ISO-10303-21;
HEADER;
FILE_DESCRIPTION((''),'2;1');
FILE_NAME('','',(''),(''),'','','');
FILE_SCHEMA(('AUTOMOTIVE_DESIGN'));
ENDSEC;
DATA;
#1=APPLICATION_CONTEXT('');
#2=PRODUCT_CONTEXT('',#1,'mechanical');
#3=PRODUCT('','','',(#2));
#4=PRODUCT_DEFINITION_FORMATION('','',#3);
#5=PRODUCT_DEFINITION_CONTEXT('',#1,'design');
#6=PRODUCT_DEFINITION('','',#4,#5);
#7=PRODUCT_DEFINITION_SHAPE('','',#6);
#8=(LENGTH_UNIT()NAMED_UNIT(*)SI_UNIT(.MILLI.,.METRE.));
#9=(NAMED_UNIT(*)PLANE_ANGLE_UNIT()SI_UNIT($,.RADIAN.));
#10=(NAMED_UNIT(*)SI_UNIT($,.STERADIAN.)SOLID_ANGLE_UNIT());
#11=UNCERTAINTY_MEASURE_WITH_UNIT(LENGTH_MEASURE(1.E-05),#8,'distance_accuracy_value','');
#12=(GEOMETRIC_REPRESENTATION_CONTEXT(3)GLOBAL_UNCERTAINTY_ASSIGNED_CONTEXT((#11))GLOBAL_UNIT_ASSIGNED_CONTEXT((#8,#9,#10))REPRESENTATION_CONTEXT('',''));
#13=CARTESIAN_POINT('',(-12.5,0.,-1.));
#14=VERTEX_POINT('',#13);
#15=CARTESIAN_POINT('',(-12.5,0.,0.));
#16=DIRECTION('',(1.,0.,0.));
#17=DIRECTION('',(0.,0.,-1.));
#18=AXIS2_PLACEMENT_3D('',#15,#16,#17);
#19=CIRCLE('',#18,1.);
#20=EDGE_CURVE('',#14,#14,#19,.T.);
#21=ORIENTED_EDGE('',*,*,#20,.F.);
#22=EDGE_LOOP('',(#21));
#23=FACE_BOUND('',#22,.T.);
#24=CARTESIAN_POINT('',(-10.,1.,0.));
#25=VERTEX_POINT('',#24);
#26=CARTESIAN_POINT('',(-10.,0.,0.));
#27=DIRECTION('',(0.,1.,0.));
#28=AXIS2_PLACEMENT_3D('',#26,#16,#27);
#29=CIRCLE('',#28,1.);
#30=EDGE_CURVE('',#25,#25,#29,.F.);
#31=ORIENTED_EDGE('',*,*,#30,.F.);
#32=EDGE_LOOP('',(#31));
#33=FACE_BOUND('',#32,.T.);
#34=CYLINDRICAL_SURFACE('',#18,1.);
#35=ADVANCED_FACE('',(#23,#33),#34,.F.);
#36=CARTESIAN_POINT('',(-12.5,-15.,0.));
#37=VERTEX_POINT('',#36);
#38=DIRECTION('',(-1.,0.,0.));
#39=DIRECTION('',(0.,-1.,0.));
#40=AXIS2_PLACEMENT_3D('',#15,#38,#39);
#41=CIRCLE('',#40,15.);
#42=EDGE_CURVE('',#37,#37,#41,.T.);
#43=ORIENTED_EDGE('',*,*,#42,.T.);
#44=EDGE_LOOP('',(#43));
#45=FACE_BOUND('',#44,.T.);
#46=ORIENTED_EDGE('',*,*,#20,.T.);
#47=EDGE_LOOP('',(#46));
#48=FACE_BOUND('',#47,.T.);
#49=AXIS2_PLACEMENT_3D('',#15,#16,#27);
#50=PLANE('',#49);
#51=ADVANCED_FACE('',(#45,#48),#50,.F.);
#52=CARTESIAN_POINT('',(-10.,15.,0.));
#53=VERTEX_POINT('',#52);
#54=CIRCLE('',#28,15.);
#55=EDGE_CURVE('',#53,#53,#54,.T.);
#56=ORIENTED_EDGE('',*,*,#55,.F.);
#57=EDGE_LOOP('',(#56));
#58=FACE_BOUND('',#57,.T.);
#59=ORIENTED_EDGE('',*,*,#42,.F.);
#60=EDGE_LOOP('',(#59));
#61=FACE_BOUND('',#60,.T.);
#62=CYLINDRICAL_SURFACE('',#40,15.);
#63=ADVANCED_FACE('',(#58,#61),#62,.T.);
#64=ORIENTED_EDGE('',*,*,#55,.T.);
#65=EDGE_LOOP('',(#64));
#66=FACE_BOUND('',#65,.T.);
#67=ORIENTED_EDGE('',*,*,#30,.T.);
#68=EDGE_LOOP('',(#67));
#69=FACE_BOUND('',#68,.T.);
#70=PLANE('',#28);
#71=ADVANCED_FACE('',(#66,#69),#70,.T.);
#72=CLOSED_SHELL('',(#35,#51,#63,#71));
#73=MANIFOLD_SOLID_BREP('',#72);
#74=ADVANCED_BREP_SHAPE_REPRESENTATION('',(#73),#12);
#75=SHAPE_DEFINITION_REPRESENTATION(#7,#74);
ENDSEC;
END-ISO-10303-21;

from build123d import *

# Parameters (mm, degrees)
SKETCH2_R          = 1
CUT_EXTRUDE1_DEPTH = 26
SKETCH3_R          = 15
CUT_EXTRUDE2_DEPTH = 22.5


with BuildPart() as part:
    # Sketch1 → Revolve1 (revolve)
    with BuildSketch(Plane.XY):
        with BuildLine():
            Line((-12.5, 15), (-12.5, 0))
            Line((-12.5, 0), (12.5, 0))
            Line((12.5, 0), (12.5, 15))
            Line((12.5, 15), (10, 15))
            ThreePointArc((10, 15), (0, 5), (-10, 15))
            Line((-10, 15), (-12.5, 15))
        make_face()
    revolve(axis=Axis((-12.5, 0, 0), (1, 0, 0)))

    # Sketch2 → Cut-Extrude1 (cut, through all)
    with BuildSketch(Plane(origin=(12.5, 0, 0), x_dir=(0, 0, -1), z_dir=(1, 0, 0))):
        Circle(SKETCH2_R)
    extrude(amount=-CUT_EXTRUDE1_DEPTH, mode=Mode.SUBTRACT)

    # Sketch3 → Cut-Extrude2 (cut)
    with BuildSketch(Plane(origin=(12.5, 0, 0), x_dir=(0, 0, -1), z_dir=(1, 0, 0))):
        Circle(SKETCH3_R)
    extrude(amount=-CUT_EXTRUDE2_DEPTH, mode=Mode.SUBTRACT)


solid = part.part
